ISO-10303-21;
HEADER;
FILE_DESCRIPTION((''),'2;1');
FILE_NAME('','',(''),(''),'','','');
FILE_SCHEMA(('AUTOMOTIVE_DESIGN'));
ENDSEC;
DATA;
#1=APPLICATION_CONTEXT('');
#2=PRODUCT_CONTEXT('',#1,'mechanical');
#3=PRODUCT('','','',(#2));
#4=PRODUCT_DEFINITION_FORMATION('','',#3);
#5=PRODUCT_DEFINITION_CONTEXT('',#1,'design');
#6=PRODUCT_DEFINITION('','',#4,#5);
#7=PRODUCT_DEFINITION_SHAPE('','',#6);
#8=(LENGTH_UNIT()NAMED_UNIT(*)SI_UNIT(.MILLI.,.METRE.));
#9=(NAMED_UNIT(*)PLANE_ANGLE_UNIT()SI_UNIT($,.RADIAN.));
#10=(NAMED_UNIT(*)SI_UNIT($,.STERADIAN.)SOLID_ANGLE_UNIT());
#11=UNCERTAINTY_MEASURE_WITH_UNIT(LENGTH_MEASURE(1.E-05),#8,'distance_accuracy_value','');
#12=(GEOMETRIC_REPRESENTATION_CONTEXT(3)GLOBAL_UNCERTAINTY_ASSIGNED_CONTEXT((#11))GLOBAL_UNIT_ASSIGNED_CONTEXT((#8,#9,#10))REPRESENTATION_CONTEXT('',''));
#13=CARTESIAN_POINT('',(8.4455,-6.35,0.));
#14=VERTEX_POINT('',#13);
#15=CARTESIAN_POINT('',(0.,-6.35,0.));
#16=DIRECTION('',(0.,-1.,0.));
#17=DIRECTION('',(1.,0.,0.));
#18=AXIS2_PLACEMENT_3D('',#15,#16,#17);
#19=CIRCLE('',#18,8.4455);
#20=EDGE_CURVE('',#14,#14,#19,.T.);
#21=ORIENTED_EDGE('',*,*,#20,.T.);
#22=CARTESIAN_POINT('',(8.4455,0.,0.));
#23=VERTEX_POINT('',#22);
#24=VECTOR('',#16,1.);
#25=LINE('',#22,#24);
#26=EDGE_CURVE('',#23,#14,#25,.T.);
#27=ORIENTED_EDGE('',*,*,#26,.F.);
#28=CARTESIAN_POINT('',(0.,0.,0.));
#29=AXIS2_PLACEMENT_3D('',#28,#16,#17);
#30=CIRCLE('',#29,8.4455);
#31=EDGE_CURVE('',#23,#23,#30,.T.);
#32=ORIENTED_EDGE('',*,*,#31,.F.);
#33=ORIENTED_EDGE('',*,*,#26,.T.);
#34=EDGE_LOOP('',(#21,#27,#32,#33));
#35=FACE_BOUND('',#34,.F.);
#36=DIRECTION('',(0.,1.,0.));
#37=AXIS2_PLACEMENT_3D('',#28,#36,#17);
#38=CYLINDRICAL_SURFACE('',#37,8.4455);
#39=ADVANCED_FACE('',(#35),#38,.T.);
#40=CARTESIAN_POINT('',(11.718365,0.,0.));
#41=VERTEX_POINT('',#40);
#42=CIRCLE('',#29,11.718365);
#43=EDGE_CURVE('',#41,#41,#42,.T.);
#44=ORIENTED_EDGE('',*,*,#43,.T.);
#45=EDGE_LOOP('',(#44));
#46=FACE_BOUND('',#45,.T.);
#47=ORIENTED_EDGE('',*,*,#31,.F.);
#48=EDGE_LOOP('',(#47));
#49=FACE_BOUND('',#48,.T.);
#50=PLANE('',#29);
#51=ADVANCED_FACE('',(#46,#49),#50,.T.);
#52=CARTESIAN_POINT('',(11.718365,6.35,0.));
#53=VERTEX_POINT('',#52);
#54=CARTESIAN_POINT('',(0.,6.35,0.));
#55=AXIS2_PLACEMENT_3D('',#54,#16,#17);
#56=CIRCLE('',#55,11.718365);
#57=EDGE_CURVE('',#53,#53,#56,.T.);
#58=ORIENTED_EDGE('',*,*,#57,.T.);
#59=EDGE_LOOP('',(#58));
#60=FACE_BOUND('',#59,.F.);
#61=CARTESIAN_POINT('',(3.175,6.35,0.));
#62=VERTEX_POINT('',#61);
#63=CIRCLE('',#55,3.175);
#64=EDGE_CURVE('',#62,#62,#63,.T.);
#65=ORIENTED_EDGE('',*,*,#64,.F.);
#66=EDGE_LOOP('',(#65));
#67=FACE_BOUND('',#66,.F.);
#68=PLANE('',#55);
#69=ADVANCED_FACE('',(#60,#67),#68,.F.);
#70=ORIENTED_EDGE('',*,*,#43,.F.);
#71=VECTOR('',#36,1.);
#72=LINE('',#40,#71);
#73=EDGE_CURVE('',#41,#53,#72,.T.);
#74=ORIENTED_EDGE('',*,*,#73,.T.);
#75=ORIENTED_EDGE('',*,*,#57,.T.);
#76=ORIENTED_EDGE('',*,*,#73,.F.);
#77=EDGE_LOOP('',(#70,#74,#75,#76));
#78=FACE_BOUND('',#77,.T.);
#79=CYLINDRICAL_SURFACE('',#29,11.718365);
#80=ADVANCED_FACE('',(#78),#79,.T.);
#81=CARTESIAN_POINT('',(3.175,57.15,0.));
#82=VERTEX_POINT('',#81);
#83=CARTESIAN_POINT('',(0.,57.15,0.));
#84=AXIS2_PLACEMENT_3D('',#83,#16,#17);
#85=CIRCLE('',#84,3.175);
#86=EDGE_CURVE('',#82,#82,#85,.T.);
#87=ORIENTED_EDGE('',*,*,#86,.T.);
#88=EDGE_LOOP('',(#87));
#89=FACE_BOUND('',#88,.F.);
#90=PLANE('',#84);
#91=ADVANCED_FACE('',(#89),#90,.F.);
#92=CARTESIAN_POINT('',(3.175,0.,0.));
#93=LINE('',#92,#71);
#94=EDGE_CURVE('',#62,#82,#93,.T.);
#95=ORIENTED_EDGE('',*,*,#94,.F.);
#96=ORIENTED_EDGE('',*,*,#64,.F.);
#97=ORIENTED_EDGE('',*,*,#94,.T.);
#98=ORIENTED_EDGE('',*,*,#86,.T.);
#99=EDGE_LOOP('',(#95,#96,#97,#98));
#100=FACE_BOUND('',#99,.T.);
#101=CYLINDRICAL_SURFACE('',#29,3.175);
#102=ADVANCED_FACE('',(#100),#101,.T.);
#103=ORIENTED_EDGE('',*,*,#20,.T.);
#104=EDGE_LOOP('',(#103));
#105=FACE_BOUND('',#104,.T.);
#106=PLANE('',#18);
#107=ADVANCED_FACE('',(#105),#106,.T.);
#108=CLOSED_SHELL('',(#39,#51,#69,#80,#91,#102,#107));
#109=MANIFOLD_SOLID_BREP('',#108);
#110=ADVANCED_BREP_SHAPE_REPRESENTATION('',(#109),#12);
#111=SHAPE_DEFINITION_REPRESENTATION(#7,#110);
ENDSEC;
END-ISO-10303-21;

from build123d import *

# Parameters (mm, degrees)
F0_R     = 8.4455
F1_DEPTH = 6.35
F2_R     = 11.718365
F3_DEPTH = 6.35
F4_R     = 3.175
F5_DEPTH = 57.15


with BuildPart() as f1:
    # F0 (on Front) → F1 (new body)
    with BuildSketch(Plane.XZ):
        Circle(F0_R)
    extrude(amount=F1_DEPTH)

    # F2 (on Front) → F3 (join)
    with BuildSketch(Plane.XZ):
        Circle(F2_R)
    extrude(amount=-F3_DEPTH)

    # F4 (on Front) → F5 (join)
    with BuildSketch(Plane.XZ):
        Circle(F4_R)
    extrude(amount=-F5_DEPTH)


solid = f1.part
